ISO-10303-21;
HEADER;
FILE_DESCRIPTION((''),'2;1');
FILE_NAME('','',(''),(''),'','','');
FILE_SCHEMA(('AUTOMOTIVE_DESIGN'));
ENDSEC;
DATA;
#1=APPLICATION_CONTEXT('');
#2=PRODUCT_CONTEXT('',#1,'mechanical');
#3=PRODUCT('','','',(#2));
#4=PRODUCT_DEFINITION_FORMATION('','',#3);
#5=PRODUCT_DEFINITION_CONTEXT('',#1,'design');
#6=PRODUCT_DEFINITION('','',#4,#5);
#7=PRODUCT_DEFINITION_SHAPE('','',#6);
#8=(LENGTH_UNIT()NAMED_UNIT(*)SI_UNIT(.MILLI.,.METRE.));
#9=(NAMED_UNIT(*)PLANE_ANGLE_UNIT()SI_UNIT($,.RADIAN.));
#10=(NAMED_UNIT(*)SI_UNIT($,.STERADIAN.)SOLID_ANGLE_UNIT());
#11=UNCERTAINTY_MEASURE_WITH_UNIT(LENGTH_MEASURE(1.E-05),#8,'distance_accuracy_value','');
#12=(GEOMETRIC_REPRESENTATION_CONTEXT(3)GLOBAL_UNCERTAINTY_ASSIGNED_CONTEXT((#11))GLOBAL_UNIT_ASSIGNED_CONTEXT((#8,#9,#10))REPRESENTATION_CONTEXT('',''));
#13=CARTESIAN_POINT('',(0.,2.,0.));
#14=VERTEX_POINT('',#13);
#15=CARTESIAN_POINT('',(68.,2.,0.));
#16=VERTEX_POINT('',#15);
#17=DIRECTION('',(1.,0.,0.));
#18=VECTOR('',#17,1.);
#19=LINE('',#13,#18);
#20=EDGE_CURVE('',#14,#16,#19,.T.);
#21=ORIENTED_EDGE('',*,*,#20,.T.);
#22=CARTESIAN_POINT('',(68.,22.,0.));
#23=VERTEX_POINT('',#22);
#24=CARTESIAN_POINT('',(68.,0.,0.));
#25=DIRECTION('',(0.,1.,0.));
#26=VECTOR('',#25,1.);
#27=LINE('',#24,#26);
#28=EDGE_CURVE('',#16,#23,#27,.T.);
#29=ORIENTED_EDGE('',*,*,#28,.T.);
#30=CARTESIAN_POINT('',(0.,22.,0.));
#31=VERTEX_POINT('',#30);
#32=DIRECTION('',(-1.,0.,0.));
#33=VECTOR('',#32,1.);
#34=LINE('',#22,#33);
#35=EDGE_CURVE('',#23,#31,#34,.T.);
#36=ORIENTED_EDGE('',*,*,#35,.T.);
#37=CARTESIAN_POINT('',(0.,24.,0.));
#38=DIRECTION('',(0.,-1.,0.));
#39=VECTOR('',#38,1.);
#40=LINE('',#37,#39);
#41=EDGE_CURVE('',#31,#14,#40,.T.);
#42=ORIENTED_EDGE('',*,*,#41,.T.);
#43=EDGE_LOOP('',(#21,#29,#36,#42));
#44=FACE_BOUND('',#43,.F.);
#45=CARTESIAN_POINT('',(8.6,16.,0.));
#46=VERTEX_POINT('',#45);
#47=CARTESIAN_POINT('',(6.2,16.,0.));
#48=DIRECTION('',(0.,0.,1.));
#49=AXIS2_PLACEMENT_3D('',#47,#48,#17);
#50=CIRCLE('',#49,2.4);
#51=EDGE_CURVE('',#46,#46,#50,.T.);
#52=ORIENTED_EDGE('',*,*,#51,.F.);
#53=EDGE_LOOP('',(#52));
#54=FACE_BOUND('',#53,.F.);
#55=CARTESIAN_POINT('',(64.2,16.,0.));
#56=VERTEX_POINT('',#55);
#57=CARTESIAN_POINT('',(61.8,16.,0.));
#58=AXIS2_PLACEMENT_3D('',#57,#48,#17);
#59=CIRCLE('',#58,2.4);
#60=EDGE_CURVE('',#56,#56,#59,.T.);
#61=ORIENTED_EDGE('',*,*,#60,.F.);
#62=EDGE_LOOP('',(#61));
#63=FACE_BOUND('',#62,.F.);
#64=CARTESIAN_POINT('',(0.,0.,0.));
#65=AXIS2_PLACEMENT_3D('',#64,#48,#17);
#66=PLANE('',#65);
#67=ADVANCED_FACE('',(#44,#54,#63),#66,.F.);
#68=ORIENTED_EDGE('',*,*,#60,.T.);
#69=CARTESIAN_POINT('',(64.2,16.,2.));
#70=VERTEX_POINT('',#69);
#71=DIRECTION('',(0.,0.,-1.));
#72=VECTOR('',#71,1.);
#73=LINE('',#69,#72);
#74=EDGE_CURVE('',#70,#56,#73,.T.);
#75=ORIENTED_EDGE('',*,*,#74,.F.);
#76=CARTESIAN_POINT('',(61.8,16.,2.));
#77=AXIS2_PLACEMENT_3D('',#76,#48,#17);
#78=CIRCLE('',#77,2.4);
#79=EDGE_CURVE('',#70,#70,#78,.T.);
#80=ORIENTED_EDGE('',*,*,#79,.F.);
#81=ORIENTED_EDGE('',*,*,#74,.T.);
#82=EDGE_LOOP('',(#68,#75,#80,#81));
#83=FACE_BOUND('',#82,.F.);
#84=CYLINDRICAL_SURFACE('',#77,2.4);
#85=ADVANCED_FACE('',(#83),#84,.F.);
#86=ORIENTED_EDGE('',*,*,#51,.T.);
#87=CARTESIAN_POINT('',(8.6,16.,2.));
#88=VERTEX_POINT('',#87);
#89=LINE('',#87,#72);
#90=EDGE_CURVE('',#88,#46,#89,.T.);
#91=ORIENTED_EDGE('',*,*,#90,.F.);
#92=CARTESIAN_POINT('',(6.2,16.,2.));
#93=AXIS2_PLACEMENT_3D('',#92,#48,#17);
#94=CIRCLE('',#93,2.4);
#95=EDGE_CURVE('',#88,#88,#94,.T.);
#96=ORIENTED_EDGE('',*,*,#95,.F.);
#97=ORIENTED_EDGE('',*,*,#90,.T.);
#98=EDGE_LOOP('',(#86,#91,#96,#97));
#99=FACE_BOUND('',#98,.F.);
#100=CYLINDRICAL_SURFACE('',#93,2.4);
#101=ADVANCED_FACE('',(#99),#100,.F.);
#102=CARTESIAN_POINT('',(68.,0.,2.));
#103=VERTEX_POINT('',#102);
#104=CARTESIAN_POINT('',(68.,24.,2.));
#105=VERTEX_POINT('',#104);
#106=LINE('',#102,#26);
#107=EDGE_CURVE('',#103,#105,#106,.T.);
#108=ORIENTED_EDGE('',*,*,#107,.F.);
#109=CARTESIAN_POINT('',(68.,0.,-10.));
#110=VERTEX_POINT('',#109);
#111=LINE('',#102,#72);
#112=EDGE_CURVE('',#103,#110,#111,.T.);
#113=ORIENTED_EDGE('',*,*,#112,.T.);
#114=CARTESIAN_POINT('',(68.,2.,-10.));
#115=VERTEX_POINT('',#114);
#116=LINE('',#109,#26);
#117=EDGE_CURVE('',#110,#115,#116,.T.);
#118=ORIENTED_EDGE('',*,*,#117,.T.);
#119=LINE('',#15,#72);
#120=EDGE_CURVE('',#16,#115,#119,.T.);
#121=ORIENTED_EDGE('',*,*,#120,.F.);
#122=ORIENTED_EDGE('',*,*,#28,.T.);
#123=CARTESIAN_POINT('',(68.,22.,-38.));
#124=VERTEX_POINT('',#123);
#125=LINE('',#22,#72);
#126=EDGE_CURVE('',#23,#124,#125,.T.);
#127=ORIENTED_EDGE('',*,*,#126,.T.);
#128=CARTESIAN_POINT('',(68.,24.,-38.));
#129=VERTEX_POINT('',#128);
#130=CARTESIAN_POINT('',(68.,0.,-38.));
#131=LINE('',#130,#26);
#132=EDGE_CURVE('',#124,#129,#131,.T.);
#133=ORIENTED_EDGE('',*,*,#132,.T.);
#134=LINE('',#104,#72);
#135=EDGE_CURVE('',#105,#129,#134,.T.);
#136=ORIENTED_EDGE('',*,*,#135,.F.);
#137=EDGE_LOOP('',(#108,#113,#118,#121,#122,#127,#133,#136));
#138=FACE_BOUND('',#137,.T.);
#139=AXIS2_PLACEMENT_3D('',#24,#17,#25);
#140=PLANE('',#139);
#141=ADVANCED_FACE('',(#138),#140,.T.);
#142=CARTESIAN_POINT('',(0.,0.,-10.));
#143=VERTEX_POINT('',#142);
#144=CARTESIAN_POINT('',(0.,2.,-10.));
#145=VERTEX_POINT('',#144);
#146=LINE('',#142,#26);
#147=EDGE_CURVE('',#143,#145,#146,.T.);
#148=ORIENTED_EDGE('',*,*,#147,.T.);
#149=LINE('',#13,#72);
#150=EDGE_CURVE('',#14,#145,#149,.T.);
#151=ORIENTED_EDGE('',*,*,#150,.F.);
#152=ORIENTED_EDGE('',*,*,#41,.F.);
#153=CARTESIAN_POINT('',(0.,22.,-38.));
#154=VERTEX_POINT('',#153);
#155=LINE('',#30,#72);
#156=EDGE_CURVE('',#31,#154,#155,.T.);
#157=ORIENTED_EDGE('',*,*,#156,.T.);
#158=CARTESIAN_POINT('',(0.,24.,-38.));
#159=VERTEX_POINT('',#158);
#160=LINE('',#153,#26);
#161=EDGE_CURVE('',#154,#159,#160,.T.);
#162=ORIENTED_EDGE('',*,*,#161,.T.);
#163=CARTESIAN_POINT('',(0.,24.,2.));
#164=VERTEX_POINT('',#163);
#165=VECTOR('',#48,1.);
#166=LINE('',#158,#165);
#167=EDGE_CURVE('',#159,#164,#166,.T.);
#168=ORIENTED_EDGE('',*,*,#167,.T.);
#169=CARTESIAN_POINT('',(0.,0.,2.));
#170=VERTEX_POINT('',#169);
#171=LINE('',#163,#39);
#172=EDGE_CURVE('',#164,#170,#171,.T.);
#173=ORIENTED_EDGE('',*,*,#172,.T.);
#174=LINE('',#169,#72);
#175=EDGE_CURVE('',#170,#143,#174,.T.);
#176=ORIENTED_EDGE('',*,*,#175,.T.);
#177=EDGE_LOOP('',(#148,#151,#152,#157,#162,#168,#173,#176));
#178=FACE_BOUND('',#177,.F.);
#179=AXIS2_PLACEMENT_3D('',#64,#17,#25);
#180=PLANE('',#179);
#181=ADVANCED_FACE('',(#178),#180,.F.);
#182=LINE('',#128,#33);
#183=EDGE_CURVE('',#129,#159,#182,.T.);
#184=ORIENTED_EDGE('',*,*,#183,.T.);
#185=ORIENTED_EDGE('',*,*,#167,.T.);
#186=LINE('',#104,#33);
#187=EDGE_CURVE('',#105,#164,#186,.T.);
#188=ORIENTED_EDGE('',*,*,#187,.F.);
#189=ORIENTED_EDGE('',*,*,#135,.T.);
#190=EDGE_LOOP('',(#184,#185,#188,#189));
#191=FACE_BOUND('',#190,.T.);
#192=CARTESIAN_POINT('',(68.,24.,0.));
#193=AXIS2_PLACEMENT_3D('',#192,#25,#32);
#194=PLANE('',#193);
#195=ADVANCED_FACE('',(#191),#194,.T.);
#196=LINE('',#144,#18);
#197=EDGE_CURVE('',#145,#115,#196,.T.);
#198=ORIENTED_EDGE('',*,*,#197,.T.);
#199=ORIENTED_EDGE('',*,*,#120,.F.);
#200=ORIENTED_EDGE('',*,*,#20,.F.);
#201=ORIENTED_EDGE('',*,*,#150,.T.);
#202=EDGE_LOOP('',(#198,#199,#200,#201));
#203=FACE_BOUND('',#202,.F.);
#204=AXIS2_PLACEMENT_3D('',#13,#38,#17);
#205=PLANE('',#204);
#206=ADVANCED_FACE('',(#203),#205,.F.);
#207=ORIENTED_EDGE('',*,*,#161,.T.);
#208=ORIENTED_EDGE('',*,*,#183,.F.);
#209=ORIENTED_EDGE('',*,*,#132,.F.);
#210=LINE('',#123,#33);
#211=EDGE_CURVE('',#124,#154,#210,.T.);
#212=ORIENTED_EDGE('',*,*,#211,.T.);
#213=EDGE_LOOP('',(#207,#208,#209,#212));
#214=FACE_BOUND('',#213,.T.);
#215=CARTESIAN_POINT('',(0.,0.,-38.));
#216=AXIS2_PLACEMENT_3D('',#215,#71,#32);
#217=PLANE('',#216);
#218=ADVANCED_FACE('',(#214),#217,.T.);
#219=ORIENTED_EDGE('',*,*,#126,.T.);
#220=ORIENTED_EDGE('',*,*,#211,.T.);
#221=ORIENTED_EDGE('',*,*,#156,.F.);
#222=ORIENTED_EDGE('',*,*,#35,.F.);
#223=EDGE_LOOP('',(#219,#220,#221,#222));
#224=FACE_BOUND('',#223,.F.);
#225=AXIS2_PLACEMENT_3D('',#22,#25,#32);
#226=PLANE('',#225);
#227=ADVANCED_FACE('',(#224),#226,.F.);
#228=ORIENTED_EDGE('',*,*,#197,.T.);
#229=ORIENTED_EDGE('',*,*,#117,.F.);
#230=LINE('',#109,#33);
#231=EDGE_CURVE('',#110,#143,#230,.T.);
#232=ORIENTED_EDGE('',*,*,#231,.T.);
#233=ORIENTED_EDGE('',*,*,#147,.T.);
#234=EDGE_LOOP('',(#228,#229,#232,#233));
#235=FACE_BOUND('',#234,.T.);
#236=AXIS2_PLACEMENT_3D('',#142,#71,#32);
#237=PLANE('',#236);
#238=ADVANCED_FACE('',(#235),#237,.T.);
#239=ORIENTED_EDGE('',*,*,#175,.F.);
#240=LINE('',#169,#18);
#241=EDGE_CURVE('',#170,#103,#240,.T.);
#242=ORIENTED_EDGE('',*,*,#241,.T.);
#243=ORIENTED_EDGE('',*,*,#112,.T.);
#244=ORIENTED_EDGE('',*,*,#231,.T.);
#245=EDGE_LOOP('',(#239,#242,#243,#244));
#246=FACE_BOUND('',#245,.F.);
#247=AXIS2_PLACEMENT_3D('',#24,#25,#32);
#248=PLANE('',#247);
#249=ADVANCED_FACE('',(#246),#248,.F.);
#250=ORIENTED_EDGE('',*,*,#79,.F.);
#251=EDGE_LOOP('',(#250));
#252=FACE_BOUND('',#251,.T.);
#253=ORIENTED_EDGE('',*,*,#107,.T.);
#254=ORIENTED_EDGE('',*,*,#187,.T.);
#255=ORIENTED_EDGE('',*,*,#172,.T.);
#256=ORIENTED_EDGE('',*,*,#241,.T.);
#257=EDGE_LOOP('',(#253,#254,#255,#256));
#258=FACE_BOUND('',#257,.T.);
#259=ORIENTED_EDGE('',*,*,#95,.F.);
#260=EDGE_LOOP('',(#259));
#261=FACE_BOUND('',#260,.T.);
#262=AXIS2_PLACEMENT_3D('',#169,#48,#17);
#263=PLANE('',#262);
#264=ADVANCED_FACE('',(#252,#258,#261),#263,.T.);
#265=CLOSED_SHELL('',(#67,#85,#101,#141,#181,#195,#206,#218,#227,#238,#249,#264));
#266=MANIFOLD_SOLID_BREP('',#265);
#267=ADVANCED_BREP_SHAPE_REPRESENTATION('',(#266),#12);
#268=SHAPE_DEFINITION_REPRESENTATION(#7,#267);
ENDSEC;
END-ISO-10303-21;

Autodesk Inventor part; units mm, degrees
ref_plane "YZ Plane" through (0, 0, 0) normal (1, 0, 0) x (0, 1, 0)
ref_plane "XZ Plane" through (0, 0, 0) normal (0, 1, 0) x (-1, 0, 0)
ref_plane "XY Plane" through (0, 0, 0) normal (0, 0, 1) x (1, 0, 0)
sketch "Sketch1" plane through (0, 0, 0) normal (0, 0, 1) x (1, 0, 0)
  line L0 (0, 0) -> (68, 0)
  line L1 (68, 0) -> (68, 24)
  line L2 (68, 24) -> (0, 24)
  line L3 (0, 24) -> (0, 0)
  dimension "d0" = 68
  dimension "d1" = 24
extrude "Extrusion1" add sketch "Sketch1" along normal blind 2
sketch "Sketch2" plane through (0, 0, 2) normal (0, 0, 1) x (1, 0, 0)
  circle A0 centre (6.2, 16) radius 2.4
  circle A1 centre (61.8, 16) radius 2.4
  line L0 (68, 24) -> (0, 24) projected
  line L1 (34, 24) -> (34, 0) construction
  line L2 (0, 0) -> (68, 0) projected
  dimension "d4" = 4.8
  dimension "d5" = 4.8
  dimension "d6" = 55.6
  dimension "d7" = 27.8
  dimension "d8" = 8
extrude "Extrusion2" cut sketch "Sketch2" against normal blind 2
sketch "Sketch3" plane through (0, 0, 0) normal (0, 0, -1) x (-1, 0, 0)
  line L0 (-68, 24) -> (0, 24) projected
  line L1 (-68, 0) -> (-68, 24) projected
  line L2 (0, 24) -> (-68, 24)
  line L3 (-68, 24) -> (-68, 22)
  line L4 (-68, 22) -> (0, 22)
  line L5 (0, 22) -> (0, 24)
  point P0 (0, 0)
  dimension "d11" = 2
extrude "Extrusion3" add sketch "Sketch3" along normal blind 38
sketch "Sketch4" plane through (0, 0, 0) normal (0, 0, -1) x (-1, 0, 0)
  line L0 (-68, 0) -> (-68, 24) projected
  line L1 (-68, 0) -> (0, 0)
  line L2 (0, 0) -> (0, 2)
  line L3 (0, 2) -> (-68, 2)
  line L4 (-68, 2) -> (-68, 0)
  line L5 (0, 22) -> (0, 0) projected
  dimension "d14" = 2
extrude "Extrusion4" add sketch "Sketch4" along normal blind 10
properties part number "MainsCoverInternal"
